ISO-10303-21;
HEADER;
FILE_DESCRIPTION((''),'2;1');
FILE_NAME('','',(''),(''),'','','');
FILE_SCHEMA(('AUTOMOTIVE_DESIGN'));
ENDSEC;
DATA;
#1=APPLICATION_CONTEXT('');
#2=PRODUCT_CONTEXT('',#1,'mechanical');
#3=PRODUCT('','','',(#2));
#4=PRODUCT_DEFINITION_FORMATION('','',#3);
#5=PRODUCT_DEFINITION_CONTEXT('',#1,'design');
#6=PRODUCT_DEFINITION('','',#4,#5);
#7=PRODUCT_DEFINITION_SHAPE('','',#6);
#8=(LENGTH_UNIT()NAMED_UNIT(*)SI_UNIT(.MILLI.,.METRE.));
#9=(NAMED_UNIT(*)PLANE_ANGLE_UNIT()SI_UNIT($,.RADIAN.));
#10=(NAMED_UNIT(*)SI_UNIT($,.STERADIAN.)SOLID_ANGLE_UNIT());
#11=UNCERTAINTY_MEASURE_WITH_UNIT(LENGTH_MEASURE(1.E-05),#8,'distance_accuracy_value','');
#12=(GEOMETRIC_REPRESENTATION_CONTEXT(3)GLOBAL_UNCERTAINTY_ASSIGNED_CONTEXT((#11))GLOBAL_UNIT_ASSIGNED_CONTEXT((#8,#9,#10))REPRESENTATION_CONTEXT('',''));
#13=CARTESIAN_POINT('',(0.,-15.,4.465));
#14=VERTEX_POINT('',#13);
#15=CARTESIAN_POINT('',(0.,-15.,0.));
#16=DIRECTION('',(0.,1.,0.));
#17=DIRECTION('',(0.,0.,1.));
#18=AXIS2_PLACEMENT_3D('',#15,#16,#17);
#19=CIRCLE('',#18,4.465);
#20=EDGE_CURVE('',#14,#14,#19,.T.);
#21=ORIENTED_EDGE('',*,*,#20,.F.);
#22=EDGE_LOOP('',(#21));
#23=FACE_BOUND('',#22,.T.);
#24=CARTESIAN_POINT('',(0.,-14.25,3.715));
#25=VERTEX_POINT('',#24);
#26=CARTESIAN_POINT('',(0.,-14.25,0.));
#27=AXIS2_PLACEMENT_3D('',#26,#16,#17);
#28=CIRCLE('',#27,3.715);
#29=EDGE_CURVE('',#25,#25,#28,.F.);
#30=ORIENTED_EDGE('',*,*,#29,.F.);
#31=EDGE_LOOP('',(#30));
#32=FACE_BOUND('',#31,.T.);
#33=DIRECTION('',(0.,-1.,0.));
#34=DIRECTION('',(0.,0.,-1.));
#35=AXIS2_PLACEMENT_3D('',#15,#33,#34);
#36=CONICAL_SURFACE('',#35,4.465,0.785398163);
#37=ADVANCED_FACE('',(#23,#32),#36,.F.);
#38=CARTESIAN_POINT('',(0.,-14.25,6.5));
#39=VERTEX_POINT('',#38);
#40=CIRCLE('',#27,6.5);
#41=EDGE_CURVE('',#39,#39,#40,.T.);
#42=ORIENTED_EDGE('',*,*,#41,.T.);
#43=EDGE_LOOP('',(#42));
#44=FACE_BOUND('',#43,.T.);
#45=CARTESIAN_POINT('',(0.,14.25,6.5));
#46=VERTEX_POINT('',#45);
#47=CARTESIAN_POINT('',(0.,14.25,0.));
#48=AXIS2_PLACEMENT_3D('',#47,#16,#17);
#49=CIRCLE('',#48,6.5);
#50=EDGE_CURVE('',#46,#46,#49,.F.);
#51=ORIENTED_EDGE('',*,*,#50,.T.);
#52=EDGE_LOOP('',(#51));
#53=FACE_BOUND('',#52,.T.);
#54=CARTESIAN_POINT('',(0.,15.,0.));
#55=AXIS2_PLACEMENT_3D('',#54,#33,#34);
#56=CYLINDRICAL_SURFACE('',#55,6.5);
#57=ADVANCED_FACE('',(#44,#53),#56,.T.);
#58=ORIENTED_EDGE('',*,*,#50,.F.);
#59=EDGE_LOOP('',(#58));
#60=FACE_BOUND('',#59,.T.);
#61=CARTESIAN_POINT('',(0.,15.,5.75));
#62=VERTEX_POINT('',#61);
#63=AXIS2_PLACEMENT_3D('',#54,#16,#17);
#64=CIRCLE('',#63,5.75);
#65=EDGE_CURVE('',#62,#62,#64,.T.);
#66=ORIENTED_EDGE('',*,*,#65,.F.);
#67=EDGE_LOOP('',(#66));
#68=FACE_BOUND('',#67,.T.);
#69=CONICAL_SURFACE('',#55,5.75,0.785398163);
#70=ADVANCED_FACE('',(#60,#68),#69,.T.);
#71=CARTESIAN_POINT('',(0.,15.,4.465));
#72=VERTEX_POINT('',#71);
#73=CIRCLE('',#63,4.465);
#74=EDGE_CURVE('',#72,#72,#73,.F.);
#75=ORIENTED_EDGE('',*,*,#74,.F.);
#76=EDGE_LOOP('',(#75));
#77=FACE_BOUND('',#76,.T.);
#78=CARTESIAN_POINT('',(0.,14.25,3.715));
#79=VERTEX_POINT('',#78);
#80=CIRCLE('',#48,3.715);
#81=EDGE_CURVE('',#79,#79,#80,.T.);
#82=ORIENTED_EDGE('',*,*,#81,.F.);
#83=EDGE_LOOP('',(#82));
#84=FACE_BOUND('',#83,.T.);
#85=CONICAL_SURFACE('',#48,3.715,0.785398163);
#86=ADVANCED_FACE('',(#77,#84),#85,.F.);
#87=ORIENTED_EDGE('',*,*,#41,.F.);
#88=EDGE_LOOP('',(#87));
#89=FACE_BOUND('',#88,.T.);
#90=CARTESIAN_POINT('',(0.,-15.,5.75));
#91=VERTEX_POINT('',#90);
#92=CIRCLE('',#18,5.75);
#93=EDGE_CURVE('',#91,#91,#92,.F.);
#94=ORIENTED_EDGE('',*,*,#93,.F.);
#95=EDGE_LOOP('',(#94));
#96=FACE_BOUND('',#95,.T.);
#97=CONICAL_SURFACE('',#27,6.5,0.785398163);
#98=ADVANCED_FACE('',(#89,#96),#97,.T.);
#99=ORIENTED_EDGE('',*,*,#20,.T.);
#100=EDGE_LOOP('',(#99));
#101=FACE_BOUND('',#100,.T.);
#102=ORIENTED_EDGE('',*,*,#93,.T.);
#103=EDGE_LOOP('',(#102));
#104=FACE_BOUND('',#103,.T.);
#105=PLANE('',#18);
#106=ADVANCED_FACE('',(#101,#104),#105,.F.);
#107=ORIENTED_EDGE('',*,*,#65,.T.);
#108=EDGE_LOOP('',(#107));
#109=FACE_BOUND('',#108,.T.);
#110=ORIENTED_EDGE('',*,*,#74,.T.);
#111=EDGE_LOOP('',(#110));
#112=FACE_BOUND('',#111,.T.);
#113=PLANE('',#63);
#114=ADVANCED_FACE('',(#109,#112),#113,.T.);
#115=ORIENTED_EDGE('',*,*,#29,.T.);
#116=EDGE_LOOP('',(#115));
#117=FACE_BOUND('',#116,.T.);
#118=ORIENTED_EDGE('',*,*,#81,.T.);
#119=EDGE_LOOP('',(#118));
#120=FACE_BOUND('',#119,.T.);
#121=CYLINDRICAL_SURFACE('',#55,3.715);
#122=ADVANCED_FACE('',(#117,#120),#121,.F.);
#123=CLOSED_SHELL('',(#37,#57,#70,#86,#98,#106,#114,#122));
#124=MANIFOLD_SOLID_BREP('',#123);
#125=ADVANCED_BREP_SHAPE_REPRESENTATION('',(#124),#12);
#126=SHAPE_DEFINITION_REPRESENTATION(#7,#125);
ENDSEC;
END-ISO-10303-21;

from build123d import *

# Parameters (mm, degrees)
CROQUIS1_R              = 6.5
CROQUIS1_R_2            = 3.715
SALIENTE_EXTRUIR1_DEPTH = 15
CHAFL_N1_SIZE           = 0.75


with BuildPart() as part:
    # Croquis1 → Saliente-Extruir1 (new, symmetric)
    with BuildSketch(Plane(origin=(0, 0, 0), x_dir=(1, 0, 0), z_dir=(0, 1, 0))):
        with Locations(Location((0, 0, 0), (0, 0, 270))):
            Circle(CROQUIS1_R)
        with Locations(Location((0, 0, 0), (0, 0, 270))):
            Circle(CROQUIS1_R_2, mode=Mode.SUBTRACT)
    extrude(amount=SALIENTE_EXTRUIR1_DEPTH, both=True)

    # Chaflán1
    chafl_n1_edges = [part.edges().sort_by_distance(p)[0] for p in [
        (0, -15, -6.5),
        (0, 15, -6.5),
        (0, -15, -3.715),
        (0, 15, -3.715),
    ]]
    chamfer(chafl_n1_edges, length=CHAFL_N1_SIZE)


solid = part.part
